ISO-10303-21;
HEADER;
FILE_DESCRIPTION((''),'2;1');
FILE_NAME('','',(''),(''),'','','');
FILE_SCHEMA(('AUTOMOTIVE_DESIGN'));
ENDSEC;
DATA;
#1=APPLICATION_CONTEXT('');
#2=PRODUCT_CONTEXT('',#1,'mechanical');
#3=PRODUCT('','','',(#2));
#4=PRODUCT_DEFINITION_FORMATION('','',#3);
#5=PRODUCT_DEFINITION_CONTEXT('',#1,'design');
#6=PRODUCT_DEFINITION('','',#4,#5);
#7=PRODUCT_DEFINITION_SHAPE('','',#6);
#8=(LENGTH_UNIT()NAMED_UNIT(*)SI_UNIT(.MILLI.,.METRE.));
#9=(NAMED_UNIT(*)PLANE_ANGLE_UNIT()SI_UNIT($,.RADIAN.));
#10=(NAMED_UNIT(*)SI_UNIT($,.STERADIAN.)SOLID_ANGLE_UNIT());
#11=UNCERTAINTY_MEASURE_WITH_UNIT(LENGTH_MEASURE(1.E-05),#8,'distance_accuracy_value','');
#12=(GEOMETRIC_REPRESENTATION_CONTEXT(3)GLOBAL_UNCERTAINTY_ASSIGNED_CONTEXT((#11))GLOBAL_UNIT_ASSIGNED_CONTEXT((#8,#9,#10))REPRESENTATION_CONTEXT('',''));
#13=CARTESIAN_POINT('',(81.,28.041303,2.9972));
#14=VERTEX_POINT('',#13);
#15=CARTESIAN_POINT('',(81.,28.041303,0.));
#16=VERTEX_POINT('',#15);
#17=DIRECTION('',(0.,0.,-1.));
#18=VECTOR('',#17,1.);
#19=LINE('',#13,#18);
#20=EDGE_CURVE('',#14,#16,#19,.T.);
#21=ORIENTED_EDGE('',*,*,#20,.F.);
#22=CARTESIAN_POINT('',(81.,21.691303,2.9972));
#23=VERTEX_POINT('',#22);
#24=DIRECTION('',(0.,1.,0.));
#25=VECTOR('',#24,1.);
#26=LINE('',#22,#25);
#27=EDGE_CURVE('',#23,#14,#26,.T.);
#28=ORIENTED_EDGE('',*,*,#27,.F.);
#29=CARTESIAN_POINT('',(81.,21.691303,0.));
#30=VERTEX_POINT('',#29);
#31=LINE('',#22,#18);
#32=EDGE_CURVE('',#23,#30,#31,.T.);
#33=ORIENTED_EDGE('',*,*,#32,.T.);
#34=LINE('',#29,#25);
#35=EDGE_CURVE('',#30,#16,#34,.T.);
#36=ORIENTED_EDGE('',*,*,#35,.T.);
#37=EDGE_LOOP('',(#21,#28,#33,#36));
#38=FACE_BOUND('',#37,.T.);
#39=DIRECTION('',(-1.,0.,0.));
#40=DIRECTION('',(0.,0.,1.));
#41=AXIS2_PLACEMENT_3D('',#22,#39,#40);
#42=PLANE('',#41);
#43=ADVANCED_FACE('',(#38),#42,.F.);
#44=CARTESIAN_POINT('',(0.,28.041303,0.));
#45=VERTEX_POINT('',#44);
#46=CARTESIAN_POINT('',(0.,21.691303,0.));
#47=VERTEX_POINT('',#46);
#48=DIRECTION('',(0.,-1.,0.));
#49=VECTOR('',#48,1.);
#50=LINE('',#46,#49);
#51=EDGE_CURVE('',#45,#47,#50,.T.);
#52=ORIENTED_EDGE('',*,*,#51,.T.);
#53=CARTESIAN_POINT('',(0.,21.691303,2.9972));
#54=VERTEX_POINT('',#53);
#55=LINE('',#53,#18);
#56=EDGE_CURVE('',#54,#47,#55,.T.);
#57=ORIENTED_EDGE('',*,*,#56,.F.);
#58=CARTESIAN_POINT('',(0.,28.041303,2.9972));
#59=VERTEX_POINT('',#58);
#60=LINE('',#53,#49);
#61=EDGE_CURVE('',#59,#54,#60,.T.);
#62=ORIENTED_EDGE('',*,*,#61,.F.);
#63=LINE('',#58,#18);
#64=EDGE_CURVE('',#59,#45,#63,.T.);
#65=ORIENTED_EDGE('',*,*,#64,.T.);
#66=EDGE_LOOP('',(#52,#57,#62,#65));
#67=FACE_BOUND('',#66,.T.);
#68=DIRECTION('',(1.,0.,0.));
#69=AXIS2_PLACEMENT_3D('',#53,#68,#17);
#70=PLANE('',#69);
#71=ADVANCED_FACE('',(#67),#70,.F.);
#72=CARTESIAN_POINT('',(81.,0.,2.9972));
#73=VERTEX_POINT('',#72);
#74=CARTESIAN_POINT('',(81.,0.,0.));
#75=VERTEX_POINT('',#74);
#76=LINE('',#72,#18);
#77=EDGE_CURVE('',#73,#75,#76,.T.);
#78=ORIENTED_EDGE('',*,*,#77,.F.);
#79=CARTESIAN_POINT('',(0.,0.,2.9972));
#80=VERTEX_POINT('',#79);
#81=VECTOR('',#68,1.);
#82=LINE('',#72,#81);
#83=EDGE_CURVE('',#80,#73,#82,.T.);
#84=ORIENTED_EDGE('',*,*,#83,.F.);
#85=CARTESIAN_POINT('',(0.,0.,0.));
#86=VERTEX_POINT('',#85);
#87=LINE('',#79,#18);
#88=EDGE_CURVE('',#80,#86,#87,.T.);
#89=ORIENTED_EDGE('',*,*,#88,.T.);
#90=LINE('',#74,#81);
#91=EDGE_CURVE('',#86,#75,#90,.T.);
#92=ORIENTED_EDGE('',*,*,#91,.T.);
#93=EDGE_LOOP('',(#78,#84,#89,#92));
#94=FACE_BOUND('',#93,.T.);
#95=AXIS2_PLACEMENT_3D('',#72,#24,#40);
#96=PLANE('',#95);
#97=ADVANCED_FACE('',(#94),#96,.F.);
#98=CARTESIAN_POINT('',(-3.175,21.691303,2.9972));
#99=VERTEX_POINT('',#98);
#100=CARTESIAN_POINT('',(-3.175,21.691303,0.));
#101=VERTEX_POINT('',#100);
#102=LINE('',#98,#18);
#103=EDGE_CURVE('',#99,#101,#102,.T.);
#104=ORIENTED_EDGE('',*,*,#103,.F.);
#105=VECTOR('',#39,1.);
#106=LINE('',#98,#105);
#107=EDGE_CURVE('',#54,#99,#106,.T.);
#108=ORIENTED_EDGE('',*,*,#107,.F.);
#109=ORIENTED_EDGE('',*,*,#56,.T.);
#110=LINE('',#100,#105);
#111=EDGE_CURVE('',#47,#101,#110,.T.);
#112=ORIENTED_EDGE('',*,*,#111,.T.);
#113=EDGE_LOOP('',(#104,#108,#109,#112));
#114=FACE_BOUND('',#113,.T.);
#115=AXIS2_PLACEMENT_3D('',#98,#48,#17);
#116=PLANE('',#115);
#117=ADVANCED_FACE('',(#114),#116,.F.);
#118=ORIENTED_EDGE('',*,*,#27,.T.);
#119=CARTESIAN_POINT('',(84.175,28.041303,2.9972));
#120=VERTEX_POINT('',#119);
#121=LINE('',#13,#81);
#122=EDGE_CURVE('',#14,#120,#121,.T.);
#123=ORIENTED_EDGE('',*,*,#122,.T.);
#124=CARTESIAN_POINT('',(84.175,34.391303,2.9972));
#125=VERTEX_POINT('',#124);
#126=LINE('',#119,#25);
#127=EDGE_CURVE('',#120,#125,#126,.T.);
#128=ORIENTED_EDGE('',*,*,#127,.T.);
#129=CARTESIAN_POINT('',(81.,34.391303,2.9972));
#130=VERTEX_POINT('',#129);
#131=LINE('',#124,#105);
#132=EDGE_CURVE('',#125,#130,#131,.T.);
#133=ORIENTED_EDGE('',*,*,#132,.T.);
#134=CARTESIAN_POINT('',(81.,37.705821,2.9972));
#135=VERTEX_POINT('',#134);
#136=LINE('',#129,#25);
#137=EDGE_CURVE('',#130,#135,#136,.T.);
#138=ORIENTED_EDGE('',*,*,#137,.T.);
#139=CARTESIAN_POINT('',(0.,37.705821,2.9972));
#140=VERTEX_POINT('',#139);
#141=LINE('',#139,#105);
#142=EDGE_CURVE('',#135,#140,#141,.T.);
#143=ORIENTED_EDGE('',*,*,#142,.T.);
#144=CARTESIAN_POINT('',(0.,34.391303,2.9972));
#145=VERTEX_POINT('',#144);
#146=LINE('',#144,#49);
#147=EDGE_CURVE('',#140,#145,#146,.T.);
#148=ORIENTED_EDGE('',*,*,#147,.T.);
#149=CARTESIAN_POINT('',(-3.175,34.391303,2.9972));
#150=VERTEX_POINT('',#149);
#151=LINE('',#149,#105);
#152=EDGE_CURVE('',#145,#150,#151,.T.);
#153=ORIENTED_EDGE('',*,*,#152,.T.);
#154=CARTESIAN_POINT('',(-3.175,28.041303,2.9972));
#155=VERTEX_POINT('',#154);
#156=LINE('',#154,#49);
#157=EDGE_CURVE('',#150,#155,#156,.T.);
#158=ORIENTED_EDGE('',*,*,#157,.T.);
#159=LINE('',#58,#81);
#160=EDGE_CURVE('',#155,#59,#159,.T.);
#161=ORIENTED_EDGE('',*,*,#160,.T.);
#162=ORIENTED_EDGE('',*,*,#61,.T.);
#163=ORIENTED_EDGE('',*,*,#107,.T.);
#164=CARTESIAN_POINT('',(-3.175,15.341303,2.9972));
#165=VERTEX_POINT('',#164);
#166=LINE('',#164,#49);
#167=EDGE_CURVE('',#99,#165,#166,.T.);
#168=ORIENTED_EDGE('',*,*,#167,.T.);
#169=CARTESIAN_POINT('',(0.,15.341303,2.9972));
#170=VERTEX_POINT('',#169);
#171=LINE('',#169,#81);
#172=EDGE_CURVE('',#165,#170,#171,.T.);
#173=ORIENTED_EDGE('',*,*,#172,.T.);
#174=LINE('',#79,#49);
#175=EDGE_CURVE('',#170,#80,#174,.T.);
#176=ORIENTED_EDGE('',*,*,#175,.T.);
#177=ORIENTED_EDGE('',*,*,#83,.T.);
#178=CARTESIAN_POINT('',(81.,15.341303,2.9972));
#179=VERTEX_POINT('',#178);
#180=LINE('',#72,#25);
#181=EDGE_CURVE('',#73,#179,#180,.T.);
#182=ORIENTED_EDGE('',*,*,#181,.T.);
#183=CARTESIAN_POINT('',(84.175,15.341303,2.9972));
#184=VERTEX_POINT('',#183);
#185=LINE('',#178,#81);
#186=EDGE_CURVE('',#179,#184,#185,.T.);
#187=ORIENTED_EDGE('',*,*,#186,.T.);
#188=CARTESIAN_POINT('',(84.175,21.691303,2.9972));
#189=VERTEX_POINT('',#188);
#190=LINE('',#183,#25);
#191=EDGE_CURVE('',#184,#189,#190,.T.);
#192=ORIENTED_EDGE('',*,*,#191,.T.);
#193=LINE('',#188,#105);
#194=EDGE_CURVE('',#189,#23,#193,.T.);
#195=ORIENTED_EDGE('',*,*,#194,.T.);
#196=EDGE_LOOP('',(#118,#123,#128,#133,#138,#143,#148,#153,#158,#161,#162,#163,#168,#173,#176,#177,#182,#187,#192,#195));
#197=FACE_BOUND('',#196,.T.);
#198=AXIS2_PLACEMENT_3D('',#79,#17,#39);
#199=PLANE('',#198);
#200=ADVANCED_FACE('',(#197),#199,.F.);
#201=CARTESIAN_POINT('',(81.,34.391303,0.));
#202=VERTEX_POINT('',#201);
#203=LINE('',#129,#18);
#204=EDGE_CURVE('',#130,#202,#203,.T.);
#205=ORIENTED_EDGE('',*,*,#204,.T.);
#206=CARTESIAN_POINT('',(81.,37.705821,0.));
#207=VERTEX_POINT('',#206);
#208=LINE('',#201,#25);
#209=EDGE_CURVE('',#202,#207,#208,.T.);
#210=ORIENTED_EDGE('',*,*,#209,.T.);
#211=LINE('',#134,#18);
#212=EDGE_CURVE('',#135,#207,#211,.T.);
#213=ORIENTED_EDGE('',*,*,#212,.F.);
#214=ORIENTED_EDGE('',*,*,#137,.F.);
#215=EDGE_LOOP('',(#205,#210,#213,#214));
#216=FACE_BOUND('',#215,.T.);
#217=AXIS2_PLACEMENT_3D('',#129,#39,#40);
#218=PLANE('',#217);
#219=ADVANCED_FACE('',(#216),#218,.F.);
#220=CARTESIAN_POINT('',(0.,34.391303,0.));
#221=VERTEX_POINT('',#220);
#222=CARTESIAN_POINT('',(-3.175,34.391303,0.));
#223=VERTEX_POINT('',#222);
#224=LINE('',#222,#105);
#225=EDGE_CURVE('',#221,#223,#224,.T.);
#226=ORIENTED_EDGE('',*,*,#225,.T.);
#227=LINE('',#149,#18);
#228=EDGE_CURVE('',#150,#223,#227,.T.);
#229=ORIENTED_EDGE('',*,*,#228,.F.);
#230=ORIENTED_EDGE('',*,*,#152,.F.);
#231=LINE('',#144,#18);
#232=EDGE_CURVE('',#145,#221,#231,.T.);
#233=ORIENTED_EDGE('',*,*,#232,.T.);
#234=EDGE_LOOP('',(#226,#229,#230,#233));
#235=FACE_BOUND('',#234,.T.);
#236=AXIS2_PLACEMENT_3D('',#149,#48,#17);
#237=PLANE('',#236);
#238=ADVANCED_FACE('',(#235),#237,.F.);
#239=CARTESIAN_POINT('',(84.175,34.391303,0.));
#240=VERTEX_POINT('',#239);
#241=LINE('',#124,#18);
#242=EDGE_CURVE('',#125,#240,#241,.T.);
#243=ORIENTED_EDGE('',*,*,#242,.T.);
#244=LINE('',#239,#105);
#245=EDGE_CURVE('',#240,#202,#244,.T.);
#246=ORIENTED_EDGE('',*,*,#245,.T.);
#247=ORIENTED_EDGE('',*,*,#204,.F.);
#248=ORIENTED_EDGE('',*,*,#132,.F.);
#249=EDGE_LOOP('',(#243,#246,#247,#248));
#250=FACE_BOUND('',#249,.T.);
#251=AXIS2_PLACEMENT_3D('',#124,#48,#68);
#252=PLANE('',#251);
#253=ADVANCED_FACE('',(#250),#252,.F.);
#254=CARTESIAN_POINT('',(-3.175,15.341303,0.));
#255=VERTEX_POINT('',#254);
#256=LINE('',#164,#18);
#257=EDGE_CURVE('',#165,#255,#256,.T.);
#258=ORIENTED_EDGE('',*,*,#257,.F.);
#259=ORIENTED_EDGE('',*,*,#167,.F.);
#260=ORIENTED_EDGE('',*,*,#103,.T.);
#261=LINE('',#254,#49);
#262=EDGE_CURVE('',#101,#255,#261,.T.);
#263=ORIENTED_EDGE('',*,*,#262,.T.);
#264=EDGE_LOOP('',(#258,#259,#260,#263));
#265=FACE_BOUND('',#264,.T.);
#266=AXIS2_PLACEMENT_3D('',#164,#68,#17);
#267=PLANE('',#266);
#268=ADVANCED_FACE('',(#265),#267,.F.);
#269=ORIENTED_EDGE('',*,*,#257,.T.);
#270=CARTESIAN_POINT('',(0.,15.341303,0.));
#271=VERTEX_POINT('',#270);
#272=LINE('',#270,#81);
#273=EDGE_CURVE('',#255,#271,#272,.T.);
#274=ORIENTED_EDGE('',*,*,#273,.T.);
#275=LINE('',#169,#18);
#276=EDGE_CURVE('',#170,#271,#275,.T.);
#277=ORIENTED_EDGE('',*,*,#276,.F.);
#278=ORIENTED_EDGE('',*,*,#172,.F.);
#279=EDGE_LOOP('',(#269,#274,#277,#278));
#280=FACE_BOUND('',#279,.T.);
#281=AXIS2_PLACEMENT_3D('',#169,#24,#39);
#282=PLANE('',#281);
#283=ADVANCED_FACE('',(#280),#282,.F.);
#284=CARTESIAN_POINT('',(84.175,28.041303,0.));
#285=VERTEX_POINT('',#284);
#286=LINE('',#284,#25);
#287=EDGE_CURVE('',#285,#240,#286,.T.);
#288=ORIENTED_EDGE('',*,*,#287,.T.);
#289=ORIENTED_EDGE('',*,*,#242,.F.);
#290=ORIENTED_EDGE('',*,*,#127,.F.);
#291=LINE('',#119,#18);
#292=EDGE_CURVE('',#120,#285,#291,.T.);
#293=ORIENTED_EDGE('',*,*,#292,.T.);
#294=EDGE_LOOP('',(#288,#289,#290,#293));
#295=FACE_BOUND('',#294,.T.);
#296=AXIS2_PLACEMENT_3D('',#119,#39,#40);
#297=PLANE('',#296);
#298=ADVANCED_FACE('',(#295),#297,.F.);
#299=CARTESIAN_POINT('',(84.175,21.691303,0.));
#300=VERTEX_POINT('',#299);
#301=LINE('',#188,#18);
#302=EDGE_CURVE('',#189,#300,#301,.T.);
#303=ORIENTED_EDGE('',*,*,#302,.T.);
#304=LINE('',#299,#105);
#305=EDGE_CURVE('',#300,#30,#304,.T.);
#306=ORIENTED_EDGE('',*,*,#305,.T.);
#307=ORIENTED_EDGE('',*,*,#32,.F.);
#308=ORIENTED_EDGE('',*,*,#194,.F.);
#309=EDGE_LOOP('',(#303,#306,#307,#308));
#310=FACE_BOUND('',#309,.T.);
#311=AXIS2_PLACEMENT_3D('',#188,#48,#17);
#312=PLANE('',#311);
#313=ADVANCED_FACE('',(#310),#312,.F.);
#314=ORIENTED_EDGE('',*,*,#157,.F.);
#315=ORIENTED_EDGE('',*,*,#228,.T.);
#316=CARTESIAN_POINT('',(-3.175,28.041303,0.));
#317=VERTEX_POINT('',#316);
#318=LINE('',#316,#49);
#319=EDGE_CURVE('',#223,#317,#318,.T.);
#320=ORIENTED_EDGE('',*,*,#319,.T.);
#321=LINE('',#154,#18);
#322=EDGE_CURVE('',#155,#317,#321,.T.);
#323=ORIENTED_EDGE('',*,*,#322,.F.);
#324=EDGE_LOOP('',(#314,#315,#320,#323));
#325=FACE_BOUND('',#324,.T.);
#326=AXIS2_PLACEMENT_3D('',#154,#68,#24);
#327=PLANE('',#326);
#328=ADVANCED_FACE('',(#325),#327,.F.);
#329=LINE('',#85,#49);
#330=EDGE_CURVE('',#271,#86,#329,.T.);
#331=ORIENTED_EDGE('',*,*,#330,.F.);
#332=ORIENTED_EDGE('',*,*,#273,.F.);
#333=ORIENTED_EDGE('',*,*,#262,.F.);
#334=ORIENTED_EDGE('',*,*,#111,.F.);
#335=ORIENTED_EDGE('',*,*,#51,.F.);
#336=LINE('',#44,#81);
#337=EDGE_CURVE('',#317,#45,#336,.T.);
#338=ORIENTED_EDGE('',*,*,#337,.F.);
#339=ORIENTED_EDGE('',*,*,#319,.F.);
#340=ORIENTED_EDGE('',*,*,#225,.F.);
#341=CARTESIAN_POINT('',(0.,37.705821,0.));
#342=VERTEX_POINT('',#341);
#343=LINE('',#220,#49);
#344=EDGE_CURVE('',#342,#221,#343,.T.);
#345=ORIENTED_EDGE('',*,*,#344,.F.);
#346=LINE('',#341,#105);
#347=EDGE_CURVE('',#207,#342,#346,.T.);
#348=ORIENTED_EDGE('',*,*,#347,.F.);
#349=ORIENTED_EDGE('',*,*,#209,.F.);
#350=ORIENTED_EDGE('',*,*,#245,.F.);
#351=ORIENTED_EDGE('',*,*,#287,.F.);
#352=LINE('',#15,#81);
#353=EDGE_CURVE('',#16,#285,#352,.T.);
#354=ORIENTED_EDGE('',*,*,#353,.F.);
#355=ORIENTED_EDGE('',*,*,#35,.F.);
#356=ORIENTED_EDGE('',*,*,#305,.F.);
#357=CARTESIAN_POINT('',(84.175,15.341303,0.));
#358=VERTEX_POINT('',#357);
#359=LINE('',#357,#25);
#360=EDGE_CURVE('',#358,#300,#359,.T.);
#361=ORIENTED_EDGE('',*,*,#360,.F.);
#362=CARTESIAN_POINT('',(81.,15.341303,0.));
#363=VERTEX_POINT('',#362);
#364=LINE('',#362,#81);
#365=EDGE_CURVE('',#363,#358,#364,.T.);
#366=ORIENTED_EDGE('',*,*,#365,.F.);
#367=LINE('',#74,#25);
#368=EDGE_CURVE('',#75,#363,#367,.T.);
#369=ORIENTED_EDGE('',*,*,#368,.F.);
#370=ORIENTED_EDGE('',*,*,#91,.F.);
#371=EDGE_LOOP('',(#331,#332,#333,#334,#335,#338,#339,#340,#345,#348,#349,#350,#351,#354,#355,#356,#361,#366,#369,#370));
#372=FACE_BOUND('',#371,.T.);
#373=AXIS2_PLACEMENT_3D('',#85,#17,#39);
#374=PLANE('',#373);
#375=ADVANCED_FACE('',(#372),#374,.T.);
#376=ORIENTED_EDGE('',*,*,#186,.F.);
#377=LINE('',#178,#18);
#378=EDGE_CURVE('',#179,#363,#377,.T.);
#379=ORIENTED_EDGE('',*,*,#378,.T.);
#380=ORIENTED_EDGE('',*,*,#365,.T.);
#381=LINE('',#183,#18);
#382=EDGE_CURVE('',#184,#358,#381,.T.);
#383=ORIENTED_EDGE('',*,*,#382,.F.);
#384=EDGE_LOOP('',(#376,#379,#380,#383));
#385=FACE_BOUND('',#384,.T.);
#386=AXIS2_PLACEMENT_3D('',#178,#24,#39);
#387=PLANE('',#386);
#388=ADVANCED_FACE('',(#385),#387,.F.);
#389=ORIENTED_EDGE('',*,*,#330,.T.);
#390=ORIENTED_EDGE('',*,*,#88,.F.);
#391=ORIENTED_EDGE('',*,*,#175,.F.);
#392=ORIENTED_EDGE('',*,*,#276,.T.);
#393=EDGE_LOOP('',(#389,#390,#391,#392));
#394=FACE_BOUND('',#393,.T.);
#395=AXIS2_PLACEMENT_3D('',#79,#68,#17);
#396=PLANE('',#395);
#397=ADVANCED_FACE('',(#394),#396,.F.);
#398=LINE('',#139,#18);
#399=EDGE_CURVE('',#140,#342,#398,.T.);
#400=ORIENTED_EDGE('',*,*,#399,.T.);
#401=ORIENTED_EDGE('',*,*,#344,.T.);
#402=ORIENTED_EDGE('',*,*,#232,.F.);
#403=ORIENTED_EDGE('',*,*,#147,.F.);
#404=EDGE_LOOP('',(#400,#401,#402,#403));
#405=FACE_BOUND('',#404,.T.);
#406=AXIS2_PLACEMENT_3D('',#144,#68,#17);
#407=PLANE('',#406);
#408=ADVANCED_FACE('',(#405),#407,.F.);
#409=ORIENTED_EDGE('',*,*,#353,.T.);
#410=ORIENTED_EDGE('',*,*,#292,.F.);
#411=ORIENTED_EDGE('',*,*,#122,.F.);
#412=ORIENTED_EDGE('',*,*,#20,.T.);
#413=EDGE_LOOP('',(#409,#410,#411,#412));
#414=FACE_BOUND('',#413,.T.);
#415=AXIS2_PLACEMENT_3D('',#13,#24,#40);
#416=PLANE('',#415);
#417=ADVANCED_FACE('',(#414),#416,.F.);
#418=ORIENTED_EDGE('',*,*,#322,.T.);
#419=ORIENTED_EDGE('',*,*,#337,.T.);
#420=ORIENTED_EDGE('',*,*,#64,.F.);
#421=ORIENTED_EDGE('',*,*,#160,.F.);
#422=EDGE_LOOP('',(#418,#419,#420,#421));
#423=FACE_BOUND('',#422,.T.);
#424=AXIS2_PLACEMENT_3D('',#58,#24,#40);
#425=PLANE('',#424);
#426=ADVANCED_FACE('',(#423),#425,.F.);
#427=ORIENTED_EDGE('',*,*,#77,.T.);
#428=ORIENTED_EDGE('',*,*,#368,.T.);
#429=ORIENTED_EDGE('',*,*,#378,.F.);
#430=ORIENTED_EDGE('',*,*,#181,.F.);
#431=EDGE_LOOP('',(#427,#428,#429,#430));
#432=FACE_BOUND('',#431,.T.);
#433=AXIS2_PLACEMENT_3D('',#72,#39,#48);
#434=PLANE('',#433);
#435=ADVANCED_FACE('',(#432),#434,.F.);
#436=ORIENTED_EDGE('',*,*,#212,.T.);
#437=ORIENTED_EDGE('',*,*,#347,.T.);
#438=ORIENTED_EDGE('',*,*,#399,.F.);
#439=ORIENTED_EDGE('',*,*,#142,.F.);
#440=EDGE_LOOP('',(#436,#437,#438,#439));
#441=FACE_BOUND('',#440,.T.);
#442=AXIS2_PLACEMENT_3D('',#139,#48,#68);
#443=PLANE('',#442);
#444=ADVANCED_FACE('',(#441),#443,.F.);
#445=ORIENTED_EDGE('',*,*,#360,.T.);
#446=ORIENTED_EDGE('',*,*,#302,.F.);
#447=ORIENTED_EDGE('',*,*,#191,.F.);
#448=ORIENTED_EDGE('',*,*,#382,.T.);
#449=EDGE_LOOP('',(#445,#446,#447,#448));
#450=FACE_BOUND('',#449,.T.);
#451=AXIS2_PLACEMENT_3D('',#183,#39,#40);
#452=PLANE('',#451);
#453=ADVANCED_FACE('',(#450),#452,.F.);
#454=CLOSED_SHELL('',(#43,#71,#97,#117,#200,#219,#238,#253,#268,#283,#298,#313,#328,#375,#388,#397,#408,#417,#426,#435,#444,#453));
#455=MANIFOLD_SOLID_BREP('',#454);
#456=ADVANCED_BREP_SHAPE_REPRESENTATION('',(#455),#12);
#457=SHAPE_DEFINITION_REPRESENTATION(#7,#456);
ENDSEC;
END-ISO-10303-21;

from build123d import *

# Parameters (mm, degrees)
BOSS_EXTRUDE1_DEPTH = 2.9972


with BuildPart() as part:
    # Sketch1 → Boss-Extrude1 (new body)
    with BuildSketch(Plane.XY):
        Polygon((0, 0), (0, 15.3413028), (-3.175, 15.3413028), (-3.175, 21.6913028), (0, 21.6913028), (0, 28.0413028), (-3.175, 28.0413028), (-3.175, 34.3913028), (0, 34.3913028), (0, 37.705820936), (81, 37.705820936), (81, 34.3913028), (84.175, 34.3913028), (84.175, 28.0413028), (81, 28.0413028), (81, 21.6913028), (84.175, 21.6913028), (84.175, 15.3413028), (81, 15.3413028), (81, 0), align=None)
    extrude(amount=BOSS_EXTRUDE1_DEPTH)


solid = part.part
